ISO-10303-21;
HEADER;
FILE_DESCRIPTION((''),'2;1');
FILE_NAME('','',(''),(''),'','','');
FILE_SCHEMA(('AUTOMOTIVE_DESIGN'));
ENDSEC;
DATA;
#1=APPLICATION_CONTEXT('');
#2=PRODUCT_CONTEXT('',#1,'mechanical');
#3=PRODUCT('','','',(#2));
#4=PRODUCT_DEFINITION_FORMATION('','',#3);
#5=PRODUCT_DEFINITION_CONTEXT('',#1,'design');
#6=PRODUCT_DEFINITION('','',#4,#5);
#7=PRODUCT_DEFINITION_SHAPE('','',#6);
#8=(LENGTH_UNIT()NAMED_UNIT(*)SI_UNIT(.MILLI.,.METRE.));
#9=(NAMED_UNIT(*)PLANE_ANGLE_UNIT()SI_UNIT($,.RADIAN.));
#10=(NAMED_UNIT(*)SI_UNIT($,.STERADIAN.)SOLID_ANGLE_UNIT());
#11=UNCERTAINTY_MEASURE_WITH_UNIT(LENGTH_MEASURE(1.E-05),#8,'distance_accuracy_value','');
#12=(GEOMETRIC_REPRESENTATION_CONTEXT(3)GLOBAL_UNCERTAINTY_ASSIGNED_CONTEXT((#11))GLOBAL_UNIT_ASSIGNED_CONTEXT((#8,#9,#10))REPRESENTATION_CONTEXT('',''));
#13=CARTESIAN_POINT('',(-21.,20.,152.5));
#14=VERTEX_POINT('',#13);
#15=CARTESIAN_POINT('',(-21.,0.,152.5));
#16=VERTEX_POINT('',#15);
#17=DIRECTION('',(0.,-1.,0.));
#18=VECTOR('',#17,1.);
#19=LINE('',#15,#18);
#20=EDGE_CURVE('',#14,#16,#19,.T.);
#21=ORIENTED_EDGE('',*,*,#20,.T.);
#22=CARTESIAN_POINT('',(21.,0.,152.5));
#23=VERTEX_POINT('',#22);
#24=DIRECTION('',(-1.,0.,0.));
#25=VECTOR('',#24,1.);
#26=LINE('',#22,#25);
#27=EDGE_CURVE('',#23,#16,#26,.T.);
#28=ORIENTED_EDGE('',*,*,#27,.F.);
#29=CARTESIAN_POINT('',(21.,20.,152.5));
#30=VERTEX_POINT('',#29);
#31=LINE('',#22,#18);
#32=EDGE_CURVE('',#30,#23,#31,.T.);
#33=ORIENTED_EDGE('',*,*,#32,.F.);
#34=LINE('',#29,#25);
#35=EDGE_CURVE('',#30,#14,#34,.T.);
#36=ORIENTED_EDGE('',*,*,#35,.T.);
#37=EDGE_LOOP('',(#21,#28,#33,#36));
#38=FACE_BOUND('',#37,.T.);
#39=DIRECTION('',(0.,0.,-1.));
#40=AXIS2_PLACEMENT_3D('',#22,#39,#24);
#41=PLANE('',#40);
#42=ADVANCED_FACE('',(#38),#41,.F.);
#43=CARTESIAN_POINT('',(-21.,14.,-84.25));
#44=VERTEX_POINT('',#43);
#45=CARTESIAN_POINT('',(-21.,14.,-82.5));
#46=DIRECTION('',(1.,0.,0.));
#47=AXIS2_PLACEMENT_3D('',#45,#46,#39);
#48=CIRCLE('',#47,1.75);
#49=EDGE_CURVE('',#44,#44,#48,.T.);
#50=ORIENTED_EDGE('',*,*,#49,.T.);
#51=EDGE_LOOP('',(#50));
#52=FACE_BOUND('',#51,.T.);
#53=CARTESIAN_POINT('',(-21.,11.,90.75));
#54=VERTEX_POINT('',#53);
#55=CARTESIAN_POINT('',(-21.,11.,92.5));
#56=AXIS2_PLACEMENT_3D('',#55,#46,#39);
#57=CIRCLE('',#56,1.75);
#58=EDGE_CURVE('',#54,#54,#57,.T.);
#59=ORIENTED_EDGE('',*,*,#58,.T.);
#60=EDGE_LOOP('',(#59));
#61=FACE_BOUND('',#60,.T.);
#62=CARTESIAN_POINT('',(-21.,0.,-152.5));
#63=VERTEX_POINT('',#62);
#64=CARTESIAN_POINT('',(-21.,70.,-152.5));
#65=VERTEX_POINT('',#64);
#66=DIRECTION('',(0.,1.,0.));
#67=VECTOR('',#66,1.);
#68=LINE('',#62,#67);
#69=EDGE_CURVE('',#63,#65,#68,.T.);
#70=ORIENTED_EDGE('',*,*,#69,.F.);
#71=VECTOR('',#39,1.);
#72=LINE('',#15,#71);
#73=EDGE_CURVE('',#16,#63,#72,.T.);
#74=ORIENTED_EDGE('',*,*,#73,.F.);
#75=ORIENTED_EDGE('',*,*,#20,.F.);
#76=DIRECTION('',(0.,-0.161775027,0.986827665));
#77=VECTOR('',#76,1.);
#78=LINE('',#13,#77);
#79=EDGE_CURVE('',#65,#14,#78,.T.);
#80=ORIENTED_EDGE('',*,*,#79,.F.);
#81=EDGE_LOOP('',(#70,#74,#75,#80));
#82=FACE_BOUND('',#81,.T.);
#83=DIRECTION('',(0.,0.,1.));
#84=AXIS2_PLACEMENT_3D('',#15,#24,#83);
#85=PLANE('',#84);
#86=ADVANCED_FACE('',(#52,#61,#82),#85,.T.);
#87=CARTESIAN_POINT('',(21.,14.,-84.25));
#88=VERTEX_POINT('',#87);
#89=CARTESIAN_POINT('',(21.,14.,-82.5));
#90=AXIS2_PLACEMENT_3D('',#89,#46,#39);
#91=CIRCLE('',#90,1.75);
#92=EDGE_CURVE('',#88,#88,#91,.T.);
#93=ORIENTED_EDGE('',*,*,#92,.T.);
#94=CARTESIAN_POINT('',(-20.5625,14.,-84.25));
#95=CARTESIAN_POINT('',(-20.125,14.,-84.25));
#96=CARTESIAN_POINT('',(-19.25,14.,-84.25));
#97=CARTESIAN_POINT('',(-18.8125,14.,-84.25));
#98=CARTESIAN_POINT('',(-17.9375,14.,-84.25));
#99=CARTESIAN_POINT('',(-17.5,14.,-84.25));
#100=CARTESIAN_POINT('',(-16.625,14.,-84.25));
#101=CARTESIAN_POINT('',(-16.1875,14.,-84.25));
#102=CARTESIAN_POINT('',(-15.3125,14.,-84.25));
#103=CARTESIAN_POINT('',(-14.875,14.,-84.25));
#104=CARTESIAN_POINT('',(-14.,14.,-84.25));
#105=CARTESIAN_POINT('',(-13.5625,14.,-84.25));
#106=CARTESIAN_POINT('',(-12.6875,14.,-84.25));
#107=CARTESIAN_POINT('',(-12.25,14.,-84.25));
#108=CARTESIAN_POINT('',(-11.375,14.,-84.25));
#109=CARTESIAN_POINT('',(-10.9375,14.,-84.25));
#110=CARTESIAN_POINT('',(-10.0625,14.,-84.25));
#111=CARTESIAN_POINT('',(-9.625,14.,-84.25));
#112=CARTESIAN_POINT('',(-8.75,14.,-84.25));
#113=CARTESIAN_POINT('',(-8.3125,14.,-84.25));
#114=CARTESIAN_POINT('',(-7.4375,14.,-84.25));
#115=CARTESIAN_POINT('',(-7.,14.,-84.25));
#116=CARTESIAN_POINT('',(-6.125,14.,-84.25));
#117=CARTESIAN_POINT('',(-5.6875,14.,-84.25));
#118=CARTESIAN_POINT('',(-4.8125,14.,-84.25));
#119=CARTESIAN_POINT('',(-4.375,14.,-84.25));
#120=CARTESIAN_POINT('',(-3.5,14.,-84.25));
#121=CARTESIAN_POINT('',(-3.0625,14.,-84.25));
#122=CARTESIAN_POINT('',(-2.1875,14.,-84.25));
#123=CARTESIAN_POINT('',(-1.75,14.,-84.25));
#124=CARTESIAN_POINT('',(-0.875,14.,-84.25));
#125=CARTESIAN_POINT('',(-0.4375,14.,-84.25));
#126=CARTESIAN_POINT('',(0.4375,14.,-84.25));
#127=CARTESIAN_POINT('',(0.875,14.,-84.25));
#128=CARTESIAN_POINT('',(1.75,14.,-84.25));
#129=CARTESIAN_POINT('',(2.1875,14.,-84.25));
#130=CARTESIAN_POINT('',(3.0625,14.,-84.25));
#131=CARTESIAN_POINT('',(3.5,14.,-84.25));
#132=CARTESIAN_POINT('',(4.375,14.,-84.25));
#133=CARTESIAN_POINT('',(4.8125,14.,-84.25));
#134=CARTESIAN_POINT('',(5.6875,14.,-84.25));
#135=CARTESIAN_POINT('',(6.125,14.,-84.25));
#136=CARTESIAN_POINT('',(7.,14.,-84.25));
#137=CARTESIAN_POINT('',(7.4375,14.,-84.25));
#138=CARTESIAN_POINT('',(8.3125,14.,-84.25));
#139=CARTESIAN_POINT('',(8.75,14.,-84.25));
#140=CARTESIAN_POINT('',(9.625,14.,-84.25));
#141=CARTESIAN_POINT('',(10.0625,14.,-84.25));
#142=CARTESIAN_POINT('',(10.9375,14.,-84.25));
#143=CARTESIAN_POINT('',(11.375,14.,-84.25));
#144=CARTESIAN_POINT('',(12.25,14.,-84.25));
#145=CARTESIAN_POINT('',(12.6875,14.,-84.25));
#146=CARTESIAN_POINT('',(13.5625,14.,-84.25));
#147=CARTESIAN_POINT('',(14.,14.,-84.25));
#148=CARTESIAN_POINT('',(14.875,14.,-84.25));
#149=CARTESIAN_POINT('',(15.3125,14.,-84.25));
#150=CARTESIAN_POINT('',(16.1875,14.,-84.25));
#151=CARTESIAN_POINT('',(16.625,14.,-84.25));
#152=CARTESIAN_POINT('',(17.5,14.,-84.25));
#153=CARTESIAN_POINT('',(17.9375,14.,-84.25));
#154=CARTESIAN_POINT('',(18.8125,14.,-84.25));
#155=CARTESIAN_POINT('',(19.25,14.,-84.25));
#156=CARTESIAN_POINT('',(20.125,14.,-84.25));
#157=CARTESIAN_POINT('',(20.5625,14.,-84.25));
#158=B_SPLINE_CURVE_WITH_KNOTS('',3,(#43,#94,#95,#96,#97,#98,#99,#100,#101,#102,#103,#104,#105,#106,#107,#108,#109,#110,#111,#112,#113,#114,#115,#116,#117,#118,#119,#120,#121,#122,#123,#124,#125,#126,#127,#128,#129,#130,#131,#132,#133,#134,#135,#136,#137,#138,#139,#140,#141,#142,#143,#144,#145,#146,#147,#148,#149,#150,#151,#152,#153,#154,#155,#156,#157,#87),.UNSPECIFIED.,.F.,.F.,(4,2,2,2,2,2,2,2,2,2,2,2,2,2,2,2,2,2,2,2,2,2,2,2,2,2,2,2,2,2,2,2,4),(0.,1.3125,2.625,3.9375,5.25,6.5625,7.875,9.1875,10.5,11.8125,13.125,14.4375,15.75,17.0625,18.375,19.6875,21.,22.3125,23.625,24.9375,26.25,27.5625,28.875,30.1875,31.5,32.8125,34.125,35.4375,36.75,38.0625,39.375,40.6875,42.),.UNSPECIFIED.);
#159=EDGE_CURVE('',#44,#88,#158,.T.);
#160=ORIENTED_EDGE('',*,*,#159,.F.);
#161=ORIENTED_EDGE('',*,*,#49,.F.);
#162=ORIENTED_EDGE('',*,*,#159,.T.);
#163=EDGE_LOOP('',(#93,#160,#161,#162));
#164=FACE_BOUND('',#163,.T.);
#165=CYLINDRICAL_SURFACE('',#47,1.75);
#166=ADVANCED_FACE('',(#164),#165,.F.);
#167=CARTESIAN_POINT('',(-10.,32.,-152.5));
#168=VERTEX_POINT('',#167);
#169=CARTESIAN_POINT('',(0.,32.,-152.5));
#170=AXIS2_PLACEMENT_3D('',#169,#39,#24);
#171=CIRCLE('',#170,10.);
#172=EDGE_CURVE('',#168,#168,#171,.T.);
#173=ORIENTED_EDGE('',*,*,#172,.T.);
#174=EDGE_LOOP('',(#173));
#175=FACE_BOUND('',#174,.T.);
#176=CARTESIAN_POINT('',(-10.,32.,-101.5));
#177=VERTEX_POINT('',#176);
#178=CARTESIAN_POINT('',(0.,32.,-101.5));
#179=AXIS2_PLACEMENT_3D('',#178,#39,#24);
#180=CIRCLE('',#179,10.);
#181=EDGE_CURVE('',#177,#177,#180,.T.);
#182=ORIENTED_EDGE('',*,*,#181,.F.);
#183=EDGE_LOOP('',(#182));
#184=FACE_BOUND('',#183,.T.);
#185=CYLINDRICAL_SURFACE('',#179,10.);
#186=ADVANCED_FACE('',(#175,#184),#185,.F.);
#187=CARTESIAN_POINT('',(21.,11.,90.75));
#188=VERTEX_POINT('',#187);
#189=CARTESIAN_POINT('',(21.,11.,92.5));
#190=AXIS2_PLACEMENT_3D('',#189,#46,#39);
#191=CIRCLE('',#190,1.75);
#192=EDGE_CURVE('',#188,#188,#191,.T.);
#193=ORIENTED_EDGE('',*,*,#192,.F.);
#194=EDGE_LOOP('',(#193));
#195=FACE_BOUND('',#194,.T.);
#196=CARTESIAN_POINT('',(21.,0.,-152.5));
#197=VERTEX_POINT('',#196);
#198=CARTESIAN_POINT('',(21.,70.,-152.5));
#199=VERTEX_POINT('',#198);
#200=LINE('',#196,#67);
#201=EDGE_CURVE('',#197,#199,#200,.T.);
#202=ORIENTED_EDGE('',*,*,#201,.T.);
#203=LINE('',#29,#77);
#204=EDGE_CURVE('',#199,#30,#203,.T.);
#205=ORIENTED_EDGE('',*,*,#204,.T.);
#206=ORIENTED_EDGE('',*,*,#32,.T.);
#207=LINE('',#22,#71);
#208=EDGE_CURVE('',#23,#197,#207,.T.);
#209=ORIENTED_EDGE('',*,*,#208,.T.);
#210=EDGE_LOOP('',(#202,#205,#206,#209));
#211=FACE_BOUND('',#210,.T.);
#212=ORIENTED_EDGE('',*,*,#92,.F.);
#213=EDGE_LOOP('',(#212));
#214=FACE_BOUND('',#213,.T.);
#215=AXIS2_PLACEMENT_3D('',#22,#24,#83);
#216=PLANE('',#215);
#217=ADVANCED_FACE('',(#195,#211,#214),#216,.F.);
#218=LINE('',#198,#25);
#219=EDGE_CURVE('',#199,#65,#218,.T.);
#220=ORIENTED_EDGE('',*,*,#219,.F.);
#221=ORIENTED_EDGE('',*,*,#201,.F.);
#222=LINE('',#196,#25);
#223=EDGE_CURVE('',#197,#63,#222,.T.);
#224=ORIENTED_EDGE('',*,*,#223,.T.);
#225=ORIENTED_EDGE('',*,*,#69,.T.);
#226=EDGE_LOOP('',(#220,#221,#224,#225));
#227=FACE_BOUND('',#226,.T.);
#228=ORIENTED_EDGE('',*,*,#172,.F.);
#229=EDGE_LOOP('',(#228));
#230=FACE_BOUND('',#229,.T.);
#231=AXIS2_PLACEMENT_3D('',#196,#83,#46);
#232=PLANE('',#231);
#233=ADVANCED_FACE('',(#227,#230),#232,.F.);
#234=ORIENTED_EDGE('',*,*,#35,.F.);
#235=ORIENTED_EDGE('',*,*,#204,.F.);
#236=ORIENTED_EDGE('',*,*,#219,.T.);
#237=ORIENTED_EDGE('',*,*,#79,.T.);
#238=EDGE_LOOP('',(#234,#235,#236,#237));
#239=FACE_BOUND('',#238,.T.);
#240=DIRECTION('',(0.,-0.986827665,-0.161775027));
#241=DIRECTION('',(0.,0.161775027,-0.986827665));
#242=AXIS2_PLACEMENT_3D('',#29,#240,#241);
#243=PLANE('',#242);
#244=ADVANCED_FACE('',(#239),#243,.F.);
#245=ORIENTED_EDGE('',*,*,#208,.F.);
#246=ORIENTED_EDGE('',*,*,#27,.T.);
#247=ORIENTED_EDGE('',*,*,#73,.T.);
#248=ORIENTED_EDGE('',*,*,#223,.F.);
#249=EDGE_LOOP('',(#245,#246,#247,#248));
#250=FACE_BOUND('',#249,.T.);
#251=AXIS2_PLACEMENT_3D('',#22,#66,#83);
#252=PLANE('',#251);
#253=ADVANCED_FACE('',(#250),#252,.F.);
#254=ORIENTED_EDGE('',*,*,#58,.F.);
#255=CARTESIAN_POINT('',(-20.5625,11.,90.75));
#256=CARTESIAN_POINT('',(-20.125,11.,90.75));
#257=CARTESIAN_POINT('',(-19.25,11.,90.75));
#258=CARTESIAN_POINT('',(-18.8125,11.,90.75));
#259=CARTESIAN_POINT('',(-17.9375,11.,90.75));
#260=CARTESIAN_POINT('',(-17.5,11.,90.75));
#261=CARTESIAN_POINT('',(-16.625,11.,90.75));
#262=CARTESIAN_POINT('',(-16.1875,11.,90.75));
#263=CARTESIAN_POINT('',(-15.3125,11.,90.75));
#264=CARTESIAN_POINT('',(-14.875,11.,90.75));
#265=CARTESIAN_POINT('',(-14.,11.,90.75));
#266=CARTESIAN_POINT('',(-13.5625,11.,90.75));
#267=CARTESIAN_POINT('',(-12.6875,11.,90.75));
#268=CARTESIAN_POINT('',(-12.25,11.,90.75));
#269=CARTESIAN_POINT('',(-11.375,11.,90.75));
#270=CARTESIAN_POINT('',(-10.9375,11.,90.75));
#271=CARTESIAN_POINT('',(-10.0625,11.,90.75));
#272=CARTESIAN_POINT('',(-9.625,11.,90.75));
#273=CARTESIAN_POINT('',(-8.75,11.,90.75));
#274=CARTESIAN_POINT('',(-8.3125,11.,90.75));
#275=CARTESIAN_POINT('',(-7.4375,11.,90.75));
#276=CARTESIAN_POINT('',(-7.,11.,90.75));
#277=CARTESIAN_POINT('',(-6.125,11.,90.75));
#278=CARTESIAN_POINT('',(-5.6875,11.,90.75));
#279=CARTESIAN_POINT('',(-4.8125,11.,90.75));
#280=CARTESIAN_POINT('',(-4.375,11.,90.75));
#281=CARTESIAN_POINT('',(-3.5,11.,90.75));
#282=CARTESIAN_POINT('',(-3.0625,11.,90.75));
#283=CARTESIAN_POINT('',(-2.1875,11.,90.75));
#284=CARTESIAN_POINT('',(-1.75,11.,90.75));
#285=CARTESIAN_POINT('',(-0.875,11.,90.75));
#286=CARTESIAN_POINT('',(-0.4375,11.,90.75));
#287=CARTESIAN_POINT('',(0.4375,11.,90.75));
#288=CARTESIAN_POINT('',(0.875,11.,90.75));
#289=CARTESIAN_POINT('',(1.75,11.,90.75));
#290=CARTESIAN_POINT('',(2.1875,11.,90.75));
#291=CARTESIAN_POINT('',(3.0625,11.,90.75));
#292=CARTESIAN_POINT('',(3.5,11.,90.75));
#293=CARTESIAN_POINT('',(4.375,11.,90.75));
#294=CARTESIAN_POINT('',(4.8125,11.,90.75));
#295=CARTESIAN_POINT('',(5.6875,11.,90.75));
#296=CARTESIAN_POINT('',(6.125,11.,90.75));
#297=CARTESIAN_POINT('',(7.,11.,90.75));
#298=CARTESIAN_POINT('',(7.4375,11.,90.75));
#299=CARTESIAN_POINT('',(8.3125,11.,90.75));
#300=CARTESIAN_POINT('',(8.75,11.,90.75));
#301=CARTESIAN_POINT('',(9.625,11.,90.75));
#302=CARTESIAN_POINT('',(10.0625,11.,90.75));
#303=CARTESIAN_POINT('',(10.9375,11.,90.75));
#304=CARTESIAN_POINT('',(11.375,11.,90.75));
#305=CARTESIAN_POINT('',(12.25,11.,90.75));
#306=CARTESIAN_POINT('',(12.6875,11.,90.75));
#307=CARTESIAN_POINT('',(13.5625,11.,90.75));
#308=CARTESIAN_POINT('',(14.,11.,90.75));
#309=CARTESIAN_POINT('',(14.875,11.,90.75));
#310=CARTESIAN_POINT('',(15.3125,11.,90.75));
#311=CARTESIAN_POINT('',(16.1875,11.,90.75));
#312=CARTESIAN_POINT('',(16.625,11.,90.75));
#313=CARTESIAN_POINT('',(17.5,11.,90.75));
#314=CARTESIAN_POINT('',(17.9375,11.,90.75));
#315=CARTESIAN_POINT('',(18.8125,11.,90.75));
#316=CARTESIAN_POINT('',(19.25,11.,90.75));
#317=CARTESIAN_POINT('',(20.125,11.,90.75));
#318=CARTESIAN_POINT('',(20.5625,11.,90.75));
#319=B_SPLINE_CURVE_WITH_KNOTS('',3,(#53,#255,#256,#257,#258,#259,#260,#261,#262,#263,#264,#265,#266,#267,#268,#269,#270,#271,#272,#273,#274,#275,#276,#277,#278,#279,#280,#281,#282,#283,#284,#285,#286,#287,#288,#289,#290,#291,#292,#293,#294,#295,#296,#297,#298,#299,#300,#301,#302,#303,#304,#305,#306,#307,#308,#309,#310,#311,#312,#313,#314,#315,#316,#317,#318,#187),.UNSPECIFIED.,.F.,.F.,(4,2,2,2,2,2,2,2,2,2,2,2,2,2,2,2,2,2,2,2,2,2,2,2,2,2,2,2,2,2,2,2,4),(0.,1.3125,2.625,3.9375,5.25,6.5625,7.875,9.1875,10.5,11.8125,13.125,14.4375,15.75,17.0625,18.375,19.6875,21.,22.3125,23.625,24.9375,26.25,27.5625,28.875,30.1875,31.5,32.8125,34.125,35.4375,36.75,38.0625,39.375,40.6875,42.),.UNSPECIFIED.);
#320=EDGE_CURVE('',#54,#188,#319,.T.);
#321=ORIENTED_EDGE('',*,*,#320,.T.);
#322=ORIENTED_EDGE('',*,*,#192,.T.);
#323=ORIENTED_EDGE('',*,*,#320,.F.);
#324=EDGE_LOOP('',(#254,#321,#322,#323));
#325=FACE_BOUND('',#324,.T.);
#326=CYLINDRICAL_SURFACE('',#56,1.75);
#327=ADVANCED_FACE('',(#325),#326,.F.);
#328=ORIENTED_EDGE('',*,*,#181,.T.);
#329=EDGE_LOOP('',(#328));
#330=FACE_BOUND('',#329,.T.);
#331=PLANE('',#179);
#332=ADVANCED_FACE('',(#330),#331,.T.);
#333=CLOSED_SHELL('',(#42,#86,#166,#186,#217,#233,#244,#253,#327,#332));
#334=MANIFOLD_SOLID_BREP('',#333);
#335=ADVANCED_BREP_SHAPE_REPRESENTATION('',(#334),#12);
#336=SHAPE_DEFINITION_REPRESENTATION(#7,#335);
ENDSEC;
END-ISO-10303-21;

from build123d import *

# Parameters (mm, degrees)
STOCK_MATERIAL_DEPTH      = 21
SKETCH2_R                 = 10
POWER_PLANT_CHAMBER_DEPTH = 51
AXLE_CUTOUTS_DEPTH        = 170.107214512
AXLE_CUTOUTS_DEPTH_BACK   = 170.107214512
AXLE_LAYOUT_SKETCH_R      = 1.75


with BuildPart() as part:
    # Sketch1 → Stock Material (new, symmetric)
    with BuildSketch(Plane(origin=(0, 0, 0), x_dir=(0, 0, -1), z_dir=(1, 0, 0))):
        Polygon((-152.5, 0), (152.5, 0), (152.5, 70), (-152.5, 20), align=None)
    extrude(amount=STOCK_MATERIAL_DEPTH, both=True)

    # Sketch2 → Power Plant Chamber (cut)
    with BuildSketch(Plane(origin=(0, 0, -152.5), x_dir=(-1, 0, 0), z_dir=(0, 0, -1))):
        with Locations((0, 32)):
            Circle(SKETCH2_R)
    extrude(amount=-POWER_PLANT_CHAMBER_DEPTH, mode=Mode.SUBTRACT)

    # Axle Layout Sketch → Axle Cutouts (cut, two sides: drawn at the far end of the back side and taken through both)
    with BuildSketch(Plane(origin=(0, 0, 0), x_dir=(0, 0, -1), z_dir=(1, 0, 0)).offset(-AXLE_CUTOUTS_DEPTH_BACK)):
        with Locations((-92.5, 11)):
            Circle(AXLE_LAYOUT_SKETCH_R)
        with Locations((82.5, 14)):
            Circle(AXLE_LAYOUT_SKETCH_R)
    extrude(amount=AXLE_CUTOUTS_DEPTH + AXLE_CUTOUTS_DEPTH_BACK, mode=Mode.SUBTRACT)


solid = part.part
